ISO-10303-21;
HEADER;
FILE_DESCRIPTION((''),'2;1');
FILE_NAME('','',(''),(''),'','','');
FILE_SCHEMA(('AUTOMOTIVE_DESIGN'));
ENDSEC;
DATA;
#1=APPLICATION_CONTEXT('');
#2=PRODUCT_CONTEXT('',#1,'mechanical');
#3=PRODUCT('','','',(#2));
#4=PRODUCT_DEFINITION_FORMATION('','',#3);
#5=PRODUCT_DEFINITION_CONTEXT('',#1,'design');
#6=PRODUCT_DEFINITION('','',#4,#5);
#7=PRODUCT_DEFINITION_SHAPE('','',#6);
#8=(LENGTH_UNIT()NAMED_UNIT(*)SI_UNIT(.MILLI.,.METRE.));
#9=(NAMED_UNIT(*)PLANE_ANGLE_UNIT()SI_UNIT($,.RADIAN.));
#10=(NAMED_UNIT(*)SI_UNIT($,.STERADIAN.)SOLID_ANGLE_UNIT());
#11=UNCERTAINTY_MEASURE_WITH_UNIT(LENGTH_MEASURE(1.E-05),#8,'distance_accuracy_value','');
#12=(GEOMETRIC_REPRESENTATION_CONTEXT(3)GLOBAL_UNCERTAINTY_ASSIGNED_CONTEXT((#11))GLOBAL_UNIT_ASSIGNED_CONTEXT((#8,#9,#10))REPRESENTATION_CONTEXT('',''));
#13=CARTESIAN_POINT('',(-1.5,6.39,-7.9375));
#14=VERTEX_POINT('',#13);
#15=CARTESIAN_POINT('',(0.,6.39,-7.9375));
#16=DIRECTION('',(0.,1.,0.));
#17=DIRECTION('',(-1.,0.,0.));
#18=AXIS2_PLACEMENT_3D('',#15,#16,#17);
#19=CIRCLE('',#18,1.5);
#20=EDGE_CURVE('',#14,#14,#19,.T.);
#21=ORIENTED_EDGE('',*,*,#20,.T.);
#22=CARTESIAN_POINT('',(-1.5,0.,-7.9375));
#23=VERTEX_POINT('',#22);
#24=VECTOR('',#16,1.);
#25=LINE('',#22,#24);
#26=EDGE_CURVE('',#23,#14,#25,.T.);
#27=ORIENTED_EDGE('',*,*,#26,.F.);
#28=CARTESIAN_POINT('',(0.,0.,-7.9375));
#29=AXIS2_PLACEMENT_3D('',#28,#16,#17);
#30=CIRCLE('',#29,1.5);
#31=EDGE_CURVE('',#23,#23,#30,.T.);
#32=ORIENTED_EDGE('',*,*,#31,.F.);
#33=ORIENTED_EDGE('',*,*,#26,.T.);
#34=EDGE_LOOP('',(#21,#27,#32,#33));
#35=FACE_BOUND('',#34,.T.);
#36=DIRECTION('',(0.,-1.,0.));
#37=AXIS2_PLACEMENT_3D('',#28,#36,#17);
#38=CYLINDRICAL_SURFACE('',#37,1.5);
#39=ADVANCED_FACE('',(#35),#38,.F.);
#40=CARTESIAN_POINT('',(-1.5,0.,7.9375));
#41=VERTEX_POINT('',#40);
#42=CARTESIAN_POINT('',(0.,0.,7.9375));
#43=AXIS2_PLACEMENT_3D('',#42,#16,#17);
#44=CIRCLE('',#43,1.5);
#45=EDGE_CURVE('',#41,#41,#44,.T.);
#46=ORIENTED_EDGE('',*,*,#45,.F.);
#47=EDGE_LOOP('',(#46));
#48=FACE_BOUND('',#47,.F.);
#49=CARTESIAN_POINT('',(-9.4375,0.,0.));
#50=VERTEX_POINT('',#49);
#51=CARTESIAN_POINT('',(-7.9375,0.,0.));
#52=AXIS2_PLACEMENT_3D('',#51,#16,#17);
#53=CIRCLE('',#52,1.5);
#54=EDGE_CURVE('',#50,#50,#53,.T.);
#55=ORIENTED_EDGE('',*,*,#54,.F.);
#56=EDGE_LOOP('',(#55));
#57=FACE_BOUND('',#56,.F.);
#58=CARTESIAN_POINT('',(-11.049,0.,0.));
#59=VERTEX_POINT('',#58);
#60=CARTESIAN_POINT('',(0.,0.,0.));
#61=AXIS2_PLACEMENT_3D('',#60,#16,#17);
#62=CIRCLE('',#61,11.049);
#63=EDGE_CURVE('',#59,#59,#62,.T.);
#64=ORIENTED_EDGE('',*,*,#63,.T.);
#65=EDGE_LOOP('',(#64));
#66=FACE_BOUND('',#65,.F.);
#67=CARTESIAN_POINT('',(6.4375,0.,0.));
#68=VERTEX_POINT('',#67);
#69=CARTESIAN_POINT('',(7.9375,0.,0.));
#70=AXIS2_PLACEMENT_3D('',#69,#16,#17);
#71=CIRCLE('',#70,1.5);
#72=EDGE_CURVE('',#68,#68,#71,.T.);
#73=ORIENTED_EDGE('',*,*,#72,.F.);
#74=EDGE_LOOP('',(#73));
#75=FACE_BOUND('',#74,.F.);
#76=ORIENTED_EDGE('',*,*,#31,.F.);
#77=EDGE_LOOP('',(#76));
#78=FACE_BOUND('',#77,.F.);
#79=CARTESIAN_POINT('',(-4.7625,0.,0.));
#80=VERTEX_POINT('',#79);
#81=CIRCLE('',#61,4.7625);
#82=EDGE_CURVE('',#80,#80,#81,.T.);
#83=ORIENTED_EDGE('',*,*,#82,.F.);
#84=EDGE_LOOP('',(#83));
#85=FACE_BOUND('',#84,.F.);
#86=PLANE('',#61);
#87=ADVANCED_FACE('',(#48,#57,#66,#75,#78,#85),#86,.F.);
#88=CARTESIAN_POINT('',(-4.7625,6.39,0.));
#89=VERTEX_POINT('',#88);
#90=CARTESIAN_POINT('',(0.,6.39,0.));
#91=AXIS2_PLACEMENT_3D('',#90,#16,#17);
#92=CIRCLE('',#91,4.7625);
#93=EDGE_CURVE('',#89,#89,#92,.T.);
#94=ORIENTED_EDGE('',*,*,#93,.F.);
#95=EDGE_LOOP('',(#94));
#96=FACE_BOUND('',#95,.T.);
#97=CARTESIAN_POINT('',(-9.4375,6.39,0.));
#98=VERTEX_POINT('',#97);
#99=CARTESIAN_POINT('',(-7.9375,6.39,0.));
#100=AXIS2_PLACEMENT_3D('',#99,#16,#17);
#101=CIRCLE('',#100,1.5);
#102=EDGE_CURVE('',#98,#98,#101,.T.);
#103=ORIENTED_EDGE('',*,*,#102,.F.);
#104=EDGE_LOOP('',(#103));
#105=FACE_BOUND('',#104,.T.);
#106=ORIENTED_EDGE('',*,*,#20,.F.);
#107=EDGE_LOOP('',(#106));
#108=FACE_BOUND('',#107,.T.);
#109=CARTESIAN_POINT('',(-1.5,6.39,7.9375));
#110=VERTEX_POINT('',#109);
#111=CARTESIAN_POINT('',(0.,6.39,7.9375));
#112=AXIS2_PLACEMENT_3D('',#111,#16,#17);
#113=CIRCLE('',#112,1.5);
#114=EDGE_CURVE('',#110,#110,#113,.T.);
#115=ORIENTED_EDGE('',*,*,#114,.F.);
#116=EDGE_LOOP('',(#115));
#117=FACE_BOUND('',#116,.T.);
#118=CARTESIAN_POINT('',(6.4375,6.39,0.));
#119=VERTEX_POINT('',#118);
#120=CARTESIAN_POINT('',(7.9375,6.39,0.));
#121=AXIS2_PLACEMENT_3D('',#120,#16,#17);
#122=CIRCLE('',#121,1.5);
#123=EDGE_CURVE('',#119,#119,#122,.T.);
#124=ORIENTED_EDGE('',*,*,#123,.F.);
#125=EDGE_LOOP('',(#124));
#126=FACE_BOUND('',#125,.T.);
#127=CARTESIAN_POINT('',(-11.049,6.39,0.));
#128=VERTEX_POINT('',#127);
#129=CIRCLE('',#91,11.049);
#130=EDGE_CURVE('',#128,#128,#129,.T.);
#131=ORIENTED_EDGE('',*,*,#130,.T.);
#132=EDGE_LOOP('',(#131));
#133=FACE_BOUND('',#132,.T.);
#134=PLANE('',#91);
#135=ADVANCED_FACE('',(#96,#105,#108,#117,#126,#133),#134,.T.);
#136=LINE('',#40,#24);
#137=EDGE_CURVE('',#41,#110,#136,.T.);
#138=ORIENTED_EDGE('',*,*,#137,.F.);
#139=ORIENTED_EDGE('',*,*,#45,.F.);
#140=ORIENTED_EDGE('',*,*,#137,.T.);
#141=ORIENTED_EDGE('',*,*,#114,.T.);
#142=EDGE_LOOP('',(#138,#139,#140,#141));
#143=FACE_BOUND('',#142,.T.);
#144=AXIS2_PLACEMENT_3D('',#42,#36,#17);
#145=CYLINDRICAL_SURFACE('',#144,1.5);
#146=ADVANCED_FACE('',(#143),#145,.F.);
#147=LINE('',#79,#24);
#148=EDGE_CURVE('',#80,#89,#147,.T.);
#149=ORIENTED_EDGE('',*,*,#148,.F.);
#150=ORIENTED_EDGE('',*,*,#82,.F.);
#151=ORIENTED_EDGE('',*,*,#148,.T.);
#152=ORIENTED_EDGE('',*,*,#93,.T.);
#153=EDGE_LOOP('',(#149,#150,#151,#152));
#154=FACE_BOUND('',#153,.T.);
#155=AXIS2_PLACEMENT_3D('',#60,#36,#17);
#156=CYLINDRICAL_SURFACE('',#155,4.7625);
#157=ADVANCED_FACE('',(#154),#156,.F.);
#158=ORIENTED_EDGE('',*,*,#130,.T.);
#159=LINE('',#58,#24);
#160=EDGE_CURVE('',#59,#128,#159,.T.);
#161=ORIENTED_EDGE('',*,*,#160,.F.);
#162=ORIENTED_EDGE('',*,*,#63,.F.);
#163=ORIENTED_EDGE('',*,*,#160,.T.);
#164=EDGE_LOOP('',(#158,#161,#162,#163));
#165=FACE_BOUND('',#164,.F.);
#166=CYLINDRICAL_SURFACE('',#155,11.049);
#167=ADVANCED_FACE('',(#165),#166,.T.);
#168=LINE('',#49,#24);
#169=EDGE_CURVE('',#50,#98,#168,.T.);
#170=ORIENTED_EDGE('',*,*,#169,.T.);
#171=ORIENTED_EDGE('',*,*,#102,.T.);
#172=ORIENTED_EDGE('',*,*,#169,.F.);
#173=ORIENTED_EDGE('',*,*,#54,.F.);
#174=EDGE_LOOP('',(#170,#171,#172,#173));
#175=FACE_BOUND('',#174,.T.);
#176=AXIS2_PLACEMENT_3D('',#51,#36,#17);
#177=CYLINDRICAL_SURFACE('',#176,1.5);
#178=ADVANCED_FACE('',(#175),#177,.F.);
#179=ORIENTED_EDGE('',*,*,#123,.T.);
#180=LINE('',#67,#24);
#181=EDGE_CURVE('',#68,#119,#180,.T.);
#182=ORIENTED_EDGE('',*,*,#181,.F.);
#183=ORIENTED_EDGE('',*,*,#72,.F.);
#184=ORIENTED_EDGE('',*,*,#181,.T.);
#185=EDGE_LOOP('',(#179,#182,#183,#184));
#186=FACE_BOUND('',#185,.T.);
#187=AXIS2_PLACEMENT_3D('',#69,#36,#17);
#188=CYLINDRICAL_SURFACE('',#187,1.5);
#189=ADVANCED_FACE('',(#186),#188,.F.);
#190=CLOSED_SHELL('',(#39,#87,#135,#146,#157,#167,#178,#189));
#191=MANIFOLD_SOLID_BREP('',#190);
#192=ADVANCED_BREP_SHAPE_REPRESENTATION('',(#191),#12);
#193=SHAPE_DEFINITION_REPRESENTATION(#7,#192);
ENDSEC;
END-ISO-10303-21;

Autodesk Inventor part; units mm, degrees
ref_plane "YZ Plane" through (0, 0, 0) normal (1, 0, 0) x (0, 1, 0)
ref_plane "XZ Plane" through (0, 0, 0) normal (0, 1, 0) x (-1, 0, 0)
ref_plane "XY Plane" through (0, 0, 0) normal (0, 0, 1) x (1, 0, 0)
sketch "Sketch1" plane through (0, 0, 0) normal (0, 1, 0) x (-1, 0, 0)
  circle A0 centre (0, 0) radius 11.049
  circle A1 centre (7.9375, 0) radius 1.5
  circle A2 centre (0, 7.9375) radius 1.5
  circle A3 centre (-7.9375, 0) radius 1.5
  circle A4 centre (0, -7.9375) radius 1.5
  circle A5 centre (0, 0) radius 4.7625
  dimension "d0" = 22.098
  dimension "d1" = 3
  dimension "d2" = 7.9375
  dimension "d5" = 360
  dimension "d7" = 9.525
extrude "Extrusion1" add sketch "Sketch1" along normal blind 6.39
equation "\"d8\" = WoodThickness"
equation "\"WoodThickness\" = 6.39"
properties part number "CouplingExtender" material "MDF Medium Density Fiberboard"
